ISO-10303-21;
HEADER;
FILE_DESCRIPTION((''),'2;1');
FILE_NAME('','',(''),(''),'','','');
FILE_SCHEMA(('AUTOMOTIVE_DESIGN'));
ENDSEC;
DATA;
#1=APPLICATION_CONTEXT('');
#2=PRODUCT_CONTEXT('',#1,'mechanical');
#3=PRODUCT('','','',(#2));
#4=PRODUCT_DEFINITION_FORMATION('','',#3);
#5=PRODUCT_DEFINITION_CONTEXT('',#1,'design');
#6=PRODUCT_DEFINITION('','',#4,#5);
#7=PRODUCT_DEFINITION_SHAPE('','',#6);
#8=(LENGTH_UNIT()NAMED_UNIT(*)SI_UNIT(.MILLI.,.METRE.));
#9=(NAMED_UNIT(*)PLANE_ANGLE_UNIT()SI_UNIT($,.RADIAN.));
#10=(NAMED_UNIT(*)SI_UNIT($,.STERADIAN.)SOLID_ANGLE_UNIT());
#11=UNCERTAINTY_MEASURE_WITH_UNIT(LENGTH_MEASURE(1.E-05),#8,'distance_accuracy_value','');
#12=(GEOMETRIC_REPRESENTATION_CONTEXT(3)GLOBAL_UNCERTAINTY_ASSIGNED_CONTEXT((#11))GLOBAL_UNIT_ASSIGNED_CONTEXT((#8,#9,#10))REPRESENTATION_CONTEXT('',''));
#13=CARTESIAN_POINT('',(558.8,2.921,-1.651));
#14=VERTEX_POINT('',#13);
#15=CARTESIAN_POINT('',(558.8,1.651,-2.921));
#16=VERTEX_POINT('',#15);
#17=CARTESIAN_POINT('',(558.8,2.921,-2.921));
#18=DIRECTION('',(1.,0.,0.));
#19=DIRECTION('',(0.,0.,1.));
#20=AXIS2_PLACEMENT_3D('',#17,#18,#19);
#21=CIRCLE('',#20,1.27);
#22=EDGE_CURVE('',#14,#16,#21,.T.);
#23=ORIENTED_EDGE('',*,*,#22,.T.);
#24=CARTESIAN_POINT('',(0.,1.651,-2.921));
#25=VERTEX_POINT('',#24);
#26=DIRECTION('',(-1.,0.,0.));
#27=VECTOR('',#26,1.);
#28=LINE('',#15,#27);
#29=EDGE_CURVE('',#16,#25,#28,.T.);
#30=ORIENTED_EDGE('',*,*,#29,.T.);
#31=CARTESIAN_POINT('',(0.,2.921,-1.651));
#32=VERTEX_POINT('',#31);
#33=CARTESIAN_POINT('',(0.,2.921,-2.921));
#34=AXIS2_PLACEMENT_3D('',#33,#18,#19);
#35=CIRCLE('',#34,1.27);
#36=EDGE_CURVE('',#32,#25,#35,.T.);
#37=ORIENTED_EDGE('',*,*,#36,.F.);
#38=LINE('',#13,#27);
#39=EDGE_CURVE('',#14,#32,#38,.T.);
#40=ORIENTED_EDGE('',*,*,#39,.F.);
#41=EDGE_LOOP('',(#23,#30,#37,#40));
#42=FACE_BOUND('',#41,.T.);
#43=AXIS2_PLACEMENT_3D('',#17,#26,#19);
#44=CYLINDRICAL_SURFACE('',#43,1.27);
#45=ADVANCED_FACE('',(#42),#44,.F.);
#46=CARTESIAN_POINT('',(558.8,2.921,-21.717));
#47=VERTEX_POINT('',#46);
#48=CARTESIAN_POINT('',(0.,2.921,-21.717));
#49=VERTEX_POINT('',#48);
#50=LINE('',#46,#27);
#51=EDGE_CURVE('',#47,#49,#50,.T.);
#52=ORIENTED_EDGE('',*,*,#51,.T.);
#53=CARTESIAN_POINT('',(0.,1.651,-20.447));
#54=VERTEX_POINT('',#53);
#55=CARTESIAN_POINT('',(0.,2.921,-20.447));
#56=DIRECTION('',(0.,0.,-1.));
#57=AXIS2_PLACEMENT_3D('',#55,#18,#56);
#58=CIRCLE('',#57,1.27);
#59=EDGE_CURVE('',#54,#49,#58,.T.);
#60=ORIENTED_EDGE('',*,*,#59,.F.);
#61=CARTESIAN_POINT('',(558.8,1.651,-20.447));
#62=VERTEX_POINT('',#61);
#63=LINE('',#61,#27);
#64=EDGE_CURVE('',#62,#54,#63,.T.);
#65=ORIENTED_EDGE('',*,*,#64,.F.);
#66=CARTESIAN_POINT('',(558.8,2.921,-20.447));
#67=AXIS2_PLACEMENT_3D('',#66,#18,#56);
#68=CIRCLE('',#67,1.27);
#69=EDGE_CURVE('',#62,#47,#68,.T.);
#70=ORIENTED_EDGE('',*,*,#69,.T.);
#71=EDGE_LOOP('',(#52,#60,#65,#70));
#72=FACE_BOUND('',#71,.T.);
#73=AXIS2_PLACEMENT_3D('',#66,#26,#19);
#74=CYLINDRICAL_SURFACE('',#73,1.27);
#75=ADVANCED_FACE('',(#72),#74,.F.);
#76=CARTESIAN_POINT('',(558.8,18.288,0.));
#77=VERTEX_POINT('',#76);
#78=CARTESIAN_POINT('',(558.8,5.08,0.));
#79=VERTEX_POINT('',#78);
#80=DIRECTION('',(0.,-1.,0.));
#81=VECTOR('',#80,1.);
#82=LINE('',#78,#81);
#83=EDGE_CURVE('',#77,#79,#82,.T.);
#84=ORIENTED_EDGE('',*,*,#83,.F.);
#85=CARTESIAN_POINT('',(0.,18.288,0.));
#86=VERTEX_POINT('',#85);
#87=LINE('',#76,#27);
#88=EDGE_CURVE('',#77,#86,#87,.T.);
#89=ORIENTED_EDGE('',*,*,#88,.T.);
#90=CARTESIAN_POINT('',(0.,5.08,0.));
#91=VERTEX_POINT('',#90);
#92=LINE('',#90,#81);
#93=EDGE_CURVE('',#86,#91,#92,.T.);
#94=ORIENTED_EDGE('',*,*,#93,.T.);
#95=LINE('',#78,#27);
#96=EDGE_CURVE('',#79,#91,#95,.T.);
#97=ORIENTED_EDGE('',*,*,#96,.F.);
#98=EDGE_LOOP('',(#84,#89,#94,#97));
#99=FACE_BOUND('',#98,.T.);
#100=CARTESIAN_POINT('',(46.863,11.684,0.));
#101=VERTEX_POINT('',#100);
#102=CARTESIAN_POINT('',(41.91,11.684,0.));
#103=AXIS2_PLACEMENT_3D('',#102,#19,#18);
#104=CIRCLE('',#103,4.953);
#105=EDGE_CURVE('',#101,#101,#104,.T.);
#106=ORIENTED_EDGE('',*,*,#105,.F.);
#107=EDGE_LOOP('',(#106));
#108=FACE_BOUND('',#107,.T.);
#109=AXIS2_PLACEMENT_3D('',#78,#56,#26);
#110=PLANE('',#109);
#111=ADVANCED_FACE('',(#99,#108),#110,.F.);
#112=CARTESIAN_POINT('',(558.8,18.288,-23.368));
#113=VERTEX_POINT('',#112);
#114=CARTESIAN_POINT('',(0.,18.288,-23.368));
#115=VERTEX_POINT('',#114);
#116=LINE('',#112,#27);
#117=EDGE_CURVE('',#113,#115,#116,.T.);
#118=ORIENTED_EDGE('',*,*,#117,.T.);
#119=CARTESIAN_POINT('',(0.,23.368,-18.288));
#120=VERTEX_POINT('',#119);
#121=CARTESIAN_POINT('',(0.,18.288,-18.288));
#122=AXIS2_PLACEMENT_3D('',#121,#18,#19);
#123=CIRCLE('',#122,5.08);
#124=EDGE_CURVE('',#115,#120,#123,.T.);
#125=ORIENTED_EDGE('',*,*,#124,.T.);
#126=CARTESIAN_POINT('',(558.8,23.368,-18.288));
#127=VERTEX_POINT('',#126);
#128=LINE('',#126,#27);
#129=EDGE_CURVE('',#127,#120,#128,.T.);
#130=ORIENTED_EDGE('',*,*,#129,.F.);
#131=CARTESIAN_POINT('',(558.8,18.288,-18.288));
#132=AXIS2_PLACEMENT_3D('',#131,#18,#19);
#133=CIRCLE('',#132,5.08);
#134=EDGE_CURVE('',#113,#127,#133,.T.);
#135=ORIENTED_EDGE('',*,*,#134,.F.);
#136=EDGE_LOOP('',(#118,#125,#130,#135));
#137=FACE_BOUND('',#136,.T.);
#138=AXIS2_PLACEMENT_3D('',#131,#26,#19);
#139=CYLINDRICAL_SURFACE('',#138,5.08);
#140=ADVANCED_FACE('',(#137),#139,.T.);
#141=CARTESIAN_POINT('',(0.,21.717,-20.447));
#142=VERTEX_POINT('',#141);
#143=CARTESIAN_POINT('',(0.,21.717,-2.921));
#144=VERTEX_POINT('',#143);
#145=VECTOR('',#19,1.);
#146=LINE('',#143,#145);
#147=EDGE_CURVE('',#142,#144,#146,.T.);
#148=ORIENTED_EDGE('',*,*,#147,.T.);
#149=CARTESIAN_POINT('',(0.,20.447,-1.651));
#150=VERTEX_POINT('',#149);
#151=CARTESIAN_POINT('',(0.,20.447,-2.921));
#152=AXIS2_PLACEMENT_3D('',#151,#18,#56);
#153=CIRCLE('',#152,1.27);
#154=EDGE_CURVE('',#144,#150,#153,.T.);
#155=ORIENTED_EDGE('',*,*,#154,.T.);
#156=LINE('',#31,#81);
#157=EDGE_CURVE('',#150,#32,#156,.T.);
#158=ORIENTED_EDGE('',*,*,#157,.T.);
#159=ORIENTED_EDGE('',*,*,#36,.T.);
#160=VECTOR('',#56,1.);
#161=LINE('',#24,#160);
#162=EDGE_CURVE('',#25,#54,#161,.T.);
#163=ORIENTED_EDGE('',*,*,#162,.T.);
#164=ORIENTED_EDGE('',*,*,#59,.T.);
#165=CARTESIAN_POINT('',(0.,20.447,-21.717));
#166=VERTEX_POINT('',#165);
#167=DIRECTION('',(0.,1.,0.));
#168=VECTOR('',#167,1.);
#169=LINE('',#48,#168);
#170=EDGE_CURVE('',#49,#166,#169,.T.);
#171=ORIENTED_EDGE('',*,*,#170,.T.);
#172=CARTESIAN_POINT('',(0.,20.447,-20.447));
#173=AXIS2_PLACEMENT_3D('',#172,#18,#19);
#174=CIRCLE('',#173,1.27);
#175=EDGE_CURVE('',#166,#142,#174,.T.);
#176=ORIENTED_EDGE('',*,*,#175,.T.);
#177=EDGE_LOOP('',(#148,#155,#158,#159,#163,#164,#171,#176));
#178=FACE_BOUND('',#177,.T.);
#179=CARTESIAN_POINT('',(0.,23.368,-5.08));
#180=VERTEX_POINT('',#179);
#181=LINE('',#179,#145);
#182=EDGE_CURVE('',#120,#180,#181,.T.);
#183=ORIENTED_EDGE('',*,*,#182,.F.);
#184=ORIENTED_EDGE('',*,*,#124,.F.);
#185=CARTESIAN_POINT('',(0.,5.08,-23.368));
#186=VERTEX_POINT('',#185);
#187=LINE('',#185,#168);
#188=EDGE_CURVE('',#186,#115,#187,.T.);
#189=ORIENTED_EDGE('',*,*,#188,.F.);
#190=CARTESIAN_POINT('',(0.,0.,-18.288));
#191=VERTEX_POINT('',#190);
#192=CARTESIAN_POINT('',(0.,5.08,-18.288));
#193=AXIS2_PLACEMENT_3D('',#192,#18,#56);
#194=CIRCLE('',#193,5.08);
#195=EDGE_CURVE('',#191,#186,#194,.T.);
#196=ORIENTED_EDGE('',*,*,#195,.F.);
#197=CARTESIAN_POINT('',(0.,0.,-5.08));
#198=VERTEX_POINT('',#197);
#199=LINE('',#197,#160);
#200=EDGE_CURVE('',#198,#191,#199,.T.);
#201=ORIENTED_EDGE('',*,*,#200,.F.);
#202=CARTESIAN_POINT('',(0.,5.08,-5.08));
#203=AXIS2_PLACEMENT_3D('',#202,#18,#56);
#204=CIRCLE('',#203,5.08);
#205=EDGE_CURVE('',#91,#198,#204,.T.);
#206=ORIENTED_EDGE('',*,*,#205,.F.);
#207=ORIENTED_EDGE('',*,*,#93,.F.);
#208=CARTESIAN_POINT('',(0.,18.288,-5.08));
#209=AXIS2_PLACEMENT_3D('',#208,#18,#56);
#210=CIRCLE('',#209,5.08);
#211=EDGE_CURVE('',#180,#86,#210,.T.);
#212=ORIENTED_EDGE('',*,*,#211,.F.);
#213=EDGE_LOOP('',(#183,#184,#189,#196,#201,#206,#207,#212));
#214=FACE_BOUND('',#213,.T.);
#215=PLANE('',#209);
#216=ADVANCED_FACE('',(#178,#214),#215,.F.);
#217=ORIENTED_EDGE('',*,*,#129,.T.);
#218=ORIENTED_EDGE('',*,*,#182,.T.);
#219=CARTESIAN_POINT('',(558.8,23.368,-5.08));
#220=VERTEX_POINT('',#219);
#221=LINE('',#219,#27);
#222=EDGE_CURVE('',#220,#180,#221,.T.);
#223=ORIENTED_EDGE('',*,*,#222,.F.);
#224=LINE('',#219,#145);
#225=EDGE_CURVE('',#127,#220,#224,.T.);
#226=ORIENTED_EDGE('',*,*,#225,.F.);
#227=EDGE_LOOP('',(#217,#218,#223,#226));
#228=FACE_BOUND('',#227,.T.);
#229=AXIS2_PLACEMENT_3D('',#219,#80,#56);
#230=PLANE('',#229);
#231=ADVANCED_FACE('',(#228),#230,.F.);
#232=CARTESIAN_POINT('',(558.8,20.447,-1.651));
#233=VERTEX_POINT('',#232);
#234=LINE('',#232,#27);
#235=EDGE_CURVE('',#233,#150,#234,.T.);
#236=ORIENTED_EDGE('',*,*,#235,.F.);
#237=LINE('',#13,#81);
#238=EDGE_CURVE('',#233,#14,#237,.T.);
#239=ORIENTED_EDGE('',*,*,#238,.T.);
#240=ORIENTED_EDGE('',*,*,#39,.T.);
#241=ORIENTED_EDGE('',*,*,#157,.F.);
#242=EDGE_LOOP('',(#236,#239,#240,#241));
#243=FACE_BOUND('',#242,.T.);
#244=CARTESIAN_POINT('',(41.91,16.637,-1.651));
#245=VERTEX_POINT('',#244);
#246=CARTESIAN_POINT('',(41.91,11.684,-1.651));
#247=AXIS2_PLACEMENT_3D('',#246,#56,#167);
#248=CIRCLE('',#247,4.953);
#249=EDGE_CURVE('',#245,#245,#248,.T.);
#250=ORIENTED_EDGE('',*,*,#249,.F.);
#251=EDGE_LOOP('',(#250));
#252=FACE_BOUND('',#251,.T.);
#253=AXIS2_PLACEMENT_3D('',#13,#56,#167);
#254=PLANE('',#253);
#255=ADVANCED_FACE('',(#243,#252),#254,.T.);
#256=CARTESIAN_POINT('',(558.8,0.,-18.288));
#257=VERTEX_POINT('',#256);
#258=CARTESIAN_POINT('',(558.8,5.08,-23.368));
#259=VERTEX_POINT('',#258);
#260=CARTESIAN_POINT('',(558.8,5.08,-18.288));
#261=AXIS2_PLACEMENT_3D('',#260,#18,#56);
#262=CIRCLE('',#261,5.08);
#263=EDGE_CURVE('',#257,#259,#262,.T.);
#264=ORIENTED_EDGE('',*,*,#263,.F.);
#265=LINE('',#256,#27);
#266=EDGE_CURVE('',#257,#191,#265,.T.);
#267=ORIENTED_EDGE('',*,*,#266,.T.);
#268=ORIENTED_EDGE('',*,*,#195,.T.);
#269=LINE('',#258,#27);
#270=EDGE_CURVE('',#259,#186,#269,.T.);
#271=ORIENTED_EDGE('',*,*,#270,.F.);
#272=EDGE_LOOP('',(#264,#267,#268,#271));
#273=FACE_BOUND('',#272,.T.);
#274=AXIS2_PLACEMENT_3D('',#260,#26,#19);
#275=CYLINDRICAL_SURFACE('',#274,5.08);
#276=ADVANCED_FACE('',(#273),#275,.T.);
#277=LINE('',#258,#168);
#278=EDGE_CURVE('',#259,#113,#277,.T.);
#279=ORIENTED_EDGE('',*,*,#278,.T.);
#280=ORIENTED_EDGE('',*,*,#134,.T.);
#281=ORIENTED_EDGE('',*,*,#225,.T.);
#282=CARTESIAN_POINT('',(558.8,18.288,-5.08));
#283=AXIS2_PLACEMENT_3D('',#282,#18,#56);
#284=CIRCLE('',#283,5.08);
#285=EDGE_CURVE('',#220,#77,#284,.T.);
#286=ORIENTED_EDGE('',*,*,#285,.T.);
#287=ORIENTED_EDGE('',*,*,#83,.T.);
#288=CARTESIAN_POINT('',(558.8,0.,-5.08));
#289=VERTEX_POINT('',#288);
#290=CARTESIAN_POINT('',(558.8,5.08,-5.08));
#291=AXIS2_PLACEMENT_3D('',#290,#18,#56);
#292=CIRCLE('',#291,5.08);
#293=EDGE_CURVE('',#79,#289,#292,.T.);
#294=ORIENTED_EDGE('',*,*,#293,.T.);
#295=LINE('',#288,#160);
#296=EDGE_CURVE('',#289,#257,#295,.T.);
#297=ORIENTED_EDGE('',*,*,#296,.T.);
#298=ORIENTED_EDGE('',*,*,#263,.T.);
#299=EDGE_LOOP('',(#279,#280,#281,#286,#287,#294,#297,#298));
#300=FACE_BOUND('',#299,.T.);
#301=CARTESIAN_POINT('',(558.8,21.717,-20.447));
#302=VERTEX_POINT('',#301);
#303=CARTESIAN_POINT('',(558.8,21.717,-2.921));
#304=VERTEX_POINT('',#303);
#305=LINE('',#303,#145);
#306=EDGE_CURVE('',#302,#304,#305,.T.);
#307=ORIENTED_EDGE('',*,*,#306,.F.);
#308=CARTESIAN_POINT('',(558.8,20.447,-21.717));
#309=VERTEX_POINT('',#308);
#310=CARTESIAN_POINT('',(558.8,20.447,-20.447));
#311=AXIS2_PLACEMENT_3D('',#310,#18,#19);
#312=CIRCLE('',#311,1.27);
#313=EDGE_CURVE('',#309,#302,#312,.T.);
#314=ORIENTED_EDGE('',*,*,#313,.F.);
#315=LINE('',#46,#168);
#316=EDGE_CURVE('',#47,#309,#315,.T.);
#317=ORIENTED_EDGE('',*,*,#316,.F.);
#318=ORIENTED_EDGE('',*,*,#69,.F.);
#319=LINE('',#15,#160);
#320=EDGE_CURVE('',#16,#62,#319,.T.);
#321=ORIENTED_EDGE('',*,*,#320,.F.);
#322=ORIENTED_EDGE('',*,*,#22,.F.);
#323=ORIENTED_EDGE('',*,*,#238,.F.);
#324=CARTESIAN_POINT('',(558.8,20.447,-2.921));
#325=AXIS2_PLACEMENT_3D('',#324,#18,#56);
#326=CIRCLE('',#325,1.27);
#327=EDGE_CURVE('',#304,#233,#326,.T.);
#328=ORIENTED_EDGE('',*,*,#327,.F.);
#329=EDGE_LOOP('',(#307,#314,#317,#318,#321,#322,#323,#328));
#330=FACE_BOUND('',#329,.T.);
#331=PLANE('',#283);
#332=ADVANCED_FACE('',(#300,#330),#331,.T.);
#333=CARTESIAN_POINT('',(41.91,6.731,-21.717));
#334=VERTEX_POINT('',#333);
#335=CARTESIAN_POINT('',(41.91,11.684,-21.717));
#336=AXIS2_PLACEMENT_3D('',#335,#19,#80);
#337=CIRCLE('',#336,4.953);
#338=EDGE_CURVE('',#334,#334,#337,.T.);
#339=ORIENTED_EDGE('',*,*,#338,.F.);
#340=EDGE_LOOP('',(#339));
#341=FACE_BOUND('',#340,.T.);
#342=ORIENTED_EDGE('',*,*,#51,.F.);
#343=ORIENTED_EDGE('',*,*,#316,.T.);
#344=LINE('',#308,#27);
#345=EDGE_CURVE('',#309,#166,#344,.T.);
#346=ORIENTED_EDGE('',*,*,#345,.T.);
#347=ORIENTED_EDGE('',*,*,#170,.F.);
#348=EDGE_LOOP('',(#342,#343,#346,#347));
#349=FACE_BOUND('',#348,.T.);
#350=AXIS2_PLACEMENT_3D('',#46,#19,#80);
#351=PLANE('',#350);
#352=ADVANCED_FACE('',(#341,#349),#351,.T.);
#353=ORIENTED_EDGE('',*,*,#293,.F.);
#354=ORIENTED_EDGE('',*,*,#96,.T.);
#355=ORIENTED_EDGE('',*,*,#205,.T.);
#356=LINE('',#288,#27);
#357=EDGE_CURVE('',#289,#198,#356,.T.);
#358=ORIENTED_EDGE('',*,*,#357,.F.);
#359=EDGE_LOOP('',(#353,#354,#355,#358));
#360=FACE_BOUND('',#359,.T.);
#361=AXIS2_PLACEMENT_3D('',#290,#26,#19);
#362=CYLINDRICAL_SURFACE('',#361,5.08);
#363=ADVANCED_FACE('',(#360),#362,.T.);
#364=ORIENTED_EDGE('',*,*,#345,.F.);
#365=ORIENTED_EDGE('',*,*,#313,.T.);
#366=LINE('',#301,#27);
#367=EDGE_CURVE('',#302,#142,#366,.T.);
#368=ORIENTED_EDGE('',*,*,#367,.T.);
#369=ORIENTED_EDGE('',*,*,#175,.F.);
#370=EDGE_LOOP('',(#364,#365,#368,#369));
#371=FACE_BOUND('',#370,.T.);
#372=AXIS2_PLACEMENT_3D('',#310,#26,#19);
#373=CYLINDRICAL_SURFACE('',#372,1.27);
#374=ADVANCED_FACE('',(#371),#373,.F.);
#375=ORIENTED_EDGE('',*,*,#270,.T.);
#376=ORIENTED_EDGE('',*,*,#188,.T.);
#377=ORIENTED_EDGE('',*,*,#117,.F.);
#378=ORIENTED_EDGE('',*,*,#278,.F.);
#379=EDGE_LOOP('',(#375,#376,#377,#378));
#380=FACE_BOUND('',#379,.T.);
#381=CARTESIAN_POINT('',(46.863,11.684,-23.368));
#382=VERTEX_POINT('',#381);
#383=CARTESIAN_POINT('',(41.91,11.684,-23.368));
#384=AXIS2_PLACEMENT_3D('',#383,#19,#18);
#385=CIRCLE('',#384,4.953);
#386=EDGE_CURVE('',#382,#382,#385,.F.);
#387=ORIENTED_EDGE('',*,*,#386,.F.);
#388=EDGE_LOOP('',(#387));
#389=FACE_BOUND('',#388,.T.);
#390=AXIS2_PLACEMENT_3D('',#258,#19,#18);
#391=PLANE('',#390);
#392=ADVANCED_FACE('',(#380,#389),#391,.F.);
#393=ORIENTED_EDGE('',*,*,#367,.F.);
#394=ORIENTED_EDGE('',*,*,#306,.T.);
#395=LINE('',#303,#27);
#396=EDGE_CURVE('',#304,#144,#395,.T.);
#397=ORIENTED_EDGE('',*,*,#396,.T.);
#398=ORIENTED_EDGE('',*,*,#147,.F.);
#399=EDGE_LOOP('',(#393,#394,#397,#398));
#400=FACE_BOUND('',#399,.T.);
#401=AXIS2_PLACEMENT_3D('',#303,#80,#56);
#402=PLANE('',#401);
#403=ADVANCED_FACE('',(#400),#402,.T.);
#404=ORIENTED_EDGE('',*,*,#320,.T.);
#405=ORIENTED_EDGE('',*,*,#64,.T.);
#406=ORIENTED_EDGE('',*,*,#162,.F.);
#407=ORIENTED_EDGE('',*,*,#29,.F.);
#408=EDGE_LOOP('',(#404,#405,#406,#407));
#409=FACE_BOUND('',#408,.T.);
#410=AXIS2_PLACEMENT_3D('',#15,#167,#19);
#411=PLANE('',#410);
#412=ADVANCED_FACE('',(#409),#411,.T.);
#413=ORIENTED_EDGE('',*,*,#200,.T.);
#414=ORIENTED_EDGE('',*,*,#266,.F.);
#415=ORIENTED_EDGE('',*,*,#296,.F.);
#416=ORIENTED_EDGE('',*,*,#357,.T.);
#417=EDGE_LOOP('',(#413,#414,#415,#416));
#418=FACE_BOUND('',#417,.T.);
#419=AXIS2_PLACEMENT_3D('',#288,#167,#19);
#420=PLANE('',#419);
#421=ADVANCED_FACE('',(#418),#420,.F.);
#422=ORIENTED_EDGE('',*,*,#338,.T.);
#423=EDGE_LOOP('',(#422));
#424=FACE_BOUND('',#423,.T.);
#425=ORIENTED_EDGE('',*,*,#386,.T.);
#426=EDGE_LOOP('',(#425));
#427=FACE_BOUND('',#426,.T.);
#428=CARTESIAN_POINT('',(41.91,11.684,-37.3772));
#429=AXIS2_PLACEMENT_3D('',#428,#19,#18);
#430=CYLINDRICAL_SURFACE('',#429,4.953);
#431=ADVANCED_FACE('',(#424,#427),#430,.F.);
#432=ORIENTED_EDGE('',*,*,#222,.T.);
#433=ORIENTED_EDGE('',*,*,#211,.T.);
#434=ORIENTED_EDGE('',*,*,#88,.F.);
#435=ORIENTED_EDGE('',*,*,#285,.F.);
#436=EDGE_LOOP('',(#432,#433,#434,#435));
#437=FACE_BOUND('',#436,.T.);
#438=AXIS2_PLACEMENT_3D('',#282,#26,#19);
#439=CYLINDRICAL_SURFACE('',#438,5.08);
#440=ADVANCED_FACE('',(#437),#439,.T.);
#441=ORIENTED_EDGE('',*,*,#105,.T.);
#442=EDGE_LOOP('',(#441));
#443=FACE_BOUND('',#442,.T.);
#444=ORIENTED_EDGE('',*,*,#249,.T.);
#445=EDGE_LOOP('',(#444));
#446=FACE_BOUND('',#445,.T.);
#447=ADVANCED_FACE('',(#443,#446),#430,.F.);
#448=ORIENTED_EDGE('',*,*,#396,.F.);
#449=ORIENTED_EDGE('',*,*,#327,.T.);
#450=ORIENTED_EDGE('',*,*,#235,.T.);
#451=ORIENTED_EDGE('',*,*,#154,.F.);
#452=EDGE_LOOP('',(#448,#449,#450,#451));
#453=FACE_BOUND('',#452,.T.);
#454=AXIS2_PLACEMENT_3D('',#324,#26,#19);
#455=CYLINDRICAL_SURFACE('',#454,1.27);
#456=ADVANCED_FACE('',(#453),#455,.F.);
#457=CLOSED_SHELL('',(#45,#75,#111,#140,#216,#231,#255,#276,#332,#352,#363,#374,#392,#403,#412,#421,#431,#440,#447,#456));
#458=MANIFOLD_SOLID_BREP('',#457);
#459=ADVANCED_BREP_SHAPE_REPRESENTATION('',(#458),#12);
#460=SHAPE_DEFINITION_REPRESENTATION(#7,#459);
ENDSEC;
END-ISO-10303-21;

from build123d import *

# Parameters (mm, degrees)
BOSS_EXTRUDE1_DEPTH = 558.8
CUT_EXTRUDE1_REACH  = 561.776
SKETCH3_R           = 4.953


with BuildPart() as part:
    # Sketch2 → Boss-Extrude1 (new body)
    with BuildSketch(Plane(origin=(0, 0, 0), x_dir=(0, 0, -1), z_dir=(1, 0, 0))):
        with BuildLine():
            Line((5.08, 0), (18.288, 0))
            ThreePointArc((18.288, 0), (21.880102448, 1.487897552), (23.368, 5.08))
            Line((23.368, 5.08), (23.368, 18.288))
            ThreePointArc((23.368, 18.288), (21.880102448, 21.880102448), (18.288, 23.368))
            Line((18.288, 23.368), (5.08, 23.368))
            ThreePointArc((5.08, 23.368), (1.487897552, 21.880102448), (0, 18.288))
            Line((0, 18.288), (0, 5.08))
            ThreePointArc((0, 5.08), (1.487897552, 1.487897552), (5.08, 0))
        make_face()
        with BuildLine():
            Line((2.921, 1.651), (20.447, 1.651))
            ThreePointArc((20.447, 1.651), (21.345025612, 2.022974388), (21.717, 2.921))
            Line((21.717, 2.921), (21.717, 20.447))
            ThreePointArc((21.717, 20.447), (21.345025612, 21.345025612), (20.447, 21.717))
            Line((20.447, 21.717), (2.921, 21.717))
            ThreePointArc((2.921, 21.717), (2.022974388, 21.345025612), (1.651, 20.447))
            Line((1.651, 20.447), (1.651, 2.921))
            ThreePointArc((1.651, 2.921), (2.022974388, 2.022974388), (2.921, 1.651))
        make_face(mode=Mode.SUBTRACT)
    extrude(amount=BOSS_EXTRUDE1_DEPTH)

    # Cut-Extrude1: up to this face of the body (flat: up to its plane)
    cut_extrude1_end = Plane(part.part.faces().sort_by_distance((279.4, 11.684, -23.368))[0])
    # Sketch3 → Cut-Extrude1 (cut, up to the picked face)
    with BuildSketch(Plane.XY, mode=Mode.PRIVATE) as cut_extrude1_sk1:
        with Locations((41.91, 11.684)):
            Circle(SKETCH3_R)
    cut_extrude1_tool1 = split(extrude(cut_extrude1_sk1.sketch, amount=-CUT_EXTRUDE1_REACH, mode=Mode.PRIVATE), bisect_by=cut_extrude1_end, keep=Keep.BOTH, mode=Mode.PRIVATE)
    add(cut_extrude1_tool1.solids().sort_by(Axis((41.91, 11.684, 0), (0, 0, -1)))[0], mode=Mode.SUBTRACT)


solid = part.part
